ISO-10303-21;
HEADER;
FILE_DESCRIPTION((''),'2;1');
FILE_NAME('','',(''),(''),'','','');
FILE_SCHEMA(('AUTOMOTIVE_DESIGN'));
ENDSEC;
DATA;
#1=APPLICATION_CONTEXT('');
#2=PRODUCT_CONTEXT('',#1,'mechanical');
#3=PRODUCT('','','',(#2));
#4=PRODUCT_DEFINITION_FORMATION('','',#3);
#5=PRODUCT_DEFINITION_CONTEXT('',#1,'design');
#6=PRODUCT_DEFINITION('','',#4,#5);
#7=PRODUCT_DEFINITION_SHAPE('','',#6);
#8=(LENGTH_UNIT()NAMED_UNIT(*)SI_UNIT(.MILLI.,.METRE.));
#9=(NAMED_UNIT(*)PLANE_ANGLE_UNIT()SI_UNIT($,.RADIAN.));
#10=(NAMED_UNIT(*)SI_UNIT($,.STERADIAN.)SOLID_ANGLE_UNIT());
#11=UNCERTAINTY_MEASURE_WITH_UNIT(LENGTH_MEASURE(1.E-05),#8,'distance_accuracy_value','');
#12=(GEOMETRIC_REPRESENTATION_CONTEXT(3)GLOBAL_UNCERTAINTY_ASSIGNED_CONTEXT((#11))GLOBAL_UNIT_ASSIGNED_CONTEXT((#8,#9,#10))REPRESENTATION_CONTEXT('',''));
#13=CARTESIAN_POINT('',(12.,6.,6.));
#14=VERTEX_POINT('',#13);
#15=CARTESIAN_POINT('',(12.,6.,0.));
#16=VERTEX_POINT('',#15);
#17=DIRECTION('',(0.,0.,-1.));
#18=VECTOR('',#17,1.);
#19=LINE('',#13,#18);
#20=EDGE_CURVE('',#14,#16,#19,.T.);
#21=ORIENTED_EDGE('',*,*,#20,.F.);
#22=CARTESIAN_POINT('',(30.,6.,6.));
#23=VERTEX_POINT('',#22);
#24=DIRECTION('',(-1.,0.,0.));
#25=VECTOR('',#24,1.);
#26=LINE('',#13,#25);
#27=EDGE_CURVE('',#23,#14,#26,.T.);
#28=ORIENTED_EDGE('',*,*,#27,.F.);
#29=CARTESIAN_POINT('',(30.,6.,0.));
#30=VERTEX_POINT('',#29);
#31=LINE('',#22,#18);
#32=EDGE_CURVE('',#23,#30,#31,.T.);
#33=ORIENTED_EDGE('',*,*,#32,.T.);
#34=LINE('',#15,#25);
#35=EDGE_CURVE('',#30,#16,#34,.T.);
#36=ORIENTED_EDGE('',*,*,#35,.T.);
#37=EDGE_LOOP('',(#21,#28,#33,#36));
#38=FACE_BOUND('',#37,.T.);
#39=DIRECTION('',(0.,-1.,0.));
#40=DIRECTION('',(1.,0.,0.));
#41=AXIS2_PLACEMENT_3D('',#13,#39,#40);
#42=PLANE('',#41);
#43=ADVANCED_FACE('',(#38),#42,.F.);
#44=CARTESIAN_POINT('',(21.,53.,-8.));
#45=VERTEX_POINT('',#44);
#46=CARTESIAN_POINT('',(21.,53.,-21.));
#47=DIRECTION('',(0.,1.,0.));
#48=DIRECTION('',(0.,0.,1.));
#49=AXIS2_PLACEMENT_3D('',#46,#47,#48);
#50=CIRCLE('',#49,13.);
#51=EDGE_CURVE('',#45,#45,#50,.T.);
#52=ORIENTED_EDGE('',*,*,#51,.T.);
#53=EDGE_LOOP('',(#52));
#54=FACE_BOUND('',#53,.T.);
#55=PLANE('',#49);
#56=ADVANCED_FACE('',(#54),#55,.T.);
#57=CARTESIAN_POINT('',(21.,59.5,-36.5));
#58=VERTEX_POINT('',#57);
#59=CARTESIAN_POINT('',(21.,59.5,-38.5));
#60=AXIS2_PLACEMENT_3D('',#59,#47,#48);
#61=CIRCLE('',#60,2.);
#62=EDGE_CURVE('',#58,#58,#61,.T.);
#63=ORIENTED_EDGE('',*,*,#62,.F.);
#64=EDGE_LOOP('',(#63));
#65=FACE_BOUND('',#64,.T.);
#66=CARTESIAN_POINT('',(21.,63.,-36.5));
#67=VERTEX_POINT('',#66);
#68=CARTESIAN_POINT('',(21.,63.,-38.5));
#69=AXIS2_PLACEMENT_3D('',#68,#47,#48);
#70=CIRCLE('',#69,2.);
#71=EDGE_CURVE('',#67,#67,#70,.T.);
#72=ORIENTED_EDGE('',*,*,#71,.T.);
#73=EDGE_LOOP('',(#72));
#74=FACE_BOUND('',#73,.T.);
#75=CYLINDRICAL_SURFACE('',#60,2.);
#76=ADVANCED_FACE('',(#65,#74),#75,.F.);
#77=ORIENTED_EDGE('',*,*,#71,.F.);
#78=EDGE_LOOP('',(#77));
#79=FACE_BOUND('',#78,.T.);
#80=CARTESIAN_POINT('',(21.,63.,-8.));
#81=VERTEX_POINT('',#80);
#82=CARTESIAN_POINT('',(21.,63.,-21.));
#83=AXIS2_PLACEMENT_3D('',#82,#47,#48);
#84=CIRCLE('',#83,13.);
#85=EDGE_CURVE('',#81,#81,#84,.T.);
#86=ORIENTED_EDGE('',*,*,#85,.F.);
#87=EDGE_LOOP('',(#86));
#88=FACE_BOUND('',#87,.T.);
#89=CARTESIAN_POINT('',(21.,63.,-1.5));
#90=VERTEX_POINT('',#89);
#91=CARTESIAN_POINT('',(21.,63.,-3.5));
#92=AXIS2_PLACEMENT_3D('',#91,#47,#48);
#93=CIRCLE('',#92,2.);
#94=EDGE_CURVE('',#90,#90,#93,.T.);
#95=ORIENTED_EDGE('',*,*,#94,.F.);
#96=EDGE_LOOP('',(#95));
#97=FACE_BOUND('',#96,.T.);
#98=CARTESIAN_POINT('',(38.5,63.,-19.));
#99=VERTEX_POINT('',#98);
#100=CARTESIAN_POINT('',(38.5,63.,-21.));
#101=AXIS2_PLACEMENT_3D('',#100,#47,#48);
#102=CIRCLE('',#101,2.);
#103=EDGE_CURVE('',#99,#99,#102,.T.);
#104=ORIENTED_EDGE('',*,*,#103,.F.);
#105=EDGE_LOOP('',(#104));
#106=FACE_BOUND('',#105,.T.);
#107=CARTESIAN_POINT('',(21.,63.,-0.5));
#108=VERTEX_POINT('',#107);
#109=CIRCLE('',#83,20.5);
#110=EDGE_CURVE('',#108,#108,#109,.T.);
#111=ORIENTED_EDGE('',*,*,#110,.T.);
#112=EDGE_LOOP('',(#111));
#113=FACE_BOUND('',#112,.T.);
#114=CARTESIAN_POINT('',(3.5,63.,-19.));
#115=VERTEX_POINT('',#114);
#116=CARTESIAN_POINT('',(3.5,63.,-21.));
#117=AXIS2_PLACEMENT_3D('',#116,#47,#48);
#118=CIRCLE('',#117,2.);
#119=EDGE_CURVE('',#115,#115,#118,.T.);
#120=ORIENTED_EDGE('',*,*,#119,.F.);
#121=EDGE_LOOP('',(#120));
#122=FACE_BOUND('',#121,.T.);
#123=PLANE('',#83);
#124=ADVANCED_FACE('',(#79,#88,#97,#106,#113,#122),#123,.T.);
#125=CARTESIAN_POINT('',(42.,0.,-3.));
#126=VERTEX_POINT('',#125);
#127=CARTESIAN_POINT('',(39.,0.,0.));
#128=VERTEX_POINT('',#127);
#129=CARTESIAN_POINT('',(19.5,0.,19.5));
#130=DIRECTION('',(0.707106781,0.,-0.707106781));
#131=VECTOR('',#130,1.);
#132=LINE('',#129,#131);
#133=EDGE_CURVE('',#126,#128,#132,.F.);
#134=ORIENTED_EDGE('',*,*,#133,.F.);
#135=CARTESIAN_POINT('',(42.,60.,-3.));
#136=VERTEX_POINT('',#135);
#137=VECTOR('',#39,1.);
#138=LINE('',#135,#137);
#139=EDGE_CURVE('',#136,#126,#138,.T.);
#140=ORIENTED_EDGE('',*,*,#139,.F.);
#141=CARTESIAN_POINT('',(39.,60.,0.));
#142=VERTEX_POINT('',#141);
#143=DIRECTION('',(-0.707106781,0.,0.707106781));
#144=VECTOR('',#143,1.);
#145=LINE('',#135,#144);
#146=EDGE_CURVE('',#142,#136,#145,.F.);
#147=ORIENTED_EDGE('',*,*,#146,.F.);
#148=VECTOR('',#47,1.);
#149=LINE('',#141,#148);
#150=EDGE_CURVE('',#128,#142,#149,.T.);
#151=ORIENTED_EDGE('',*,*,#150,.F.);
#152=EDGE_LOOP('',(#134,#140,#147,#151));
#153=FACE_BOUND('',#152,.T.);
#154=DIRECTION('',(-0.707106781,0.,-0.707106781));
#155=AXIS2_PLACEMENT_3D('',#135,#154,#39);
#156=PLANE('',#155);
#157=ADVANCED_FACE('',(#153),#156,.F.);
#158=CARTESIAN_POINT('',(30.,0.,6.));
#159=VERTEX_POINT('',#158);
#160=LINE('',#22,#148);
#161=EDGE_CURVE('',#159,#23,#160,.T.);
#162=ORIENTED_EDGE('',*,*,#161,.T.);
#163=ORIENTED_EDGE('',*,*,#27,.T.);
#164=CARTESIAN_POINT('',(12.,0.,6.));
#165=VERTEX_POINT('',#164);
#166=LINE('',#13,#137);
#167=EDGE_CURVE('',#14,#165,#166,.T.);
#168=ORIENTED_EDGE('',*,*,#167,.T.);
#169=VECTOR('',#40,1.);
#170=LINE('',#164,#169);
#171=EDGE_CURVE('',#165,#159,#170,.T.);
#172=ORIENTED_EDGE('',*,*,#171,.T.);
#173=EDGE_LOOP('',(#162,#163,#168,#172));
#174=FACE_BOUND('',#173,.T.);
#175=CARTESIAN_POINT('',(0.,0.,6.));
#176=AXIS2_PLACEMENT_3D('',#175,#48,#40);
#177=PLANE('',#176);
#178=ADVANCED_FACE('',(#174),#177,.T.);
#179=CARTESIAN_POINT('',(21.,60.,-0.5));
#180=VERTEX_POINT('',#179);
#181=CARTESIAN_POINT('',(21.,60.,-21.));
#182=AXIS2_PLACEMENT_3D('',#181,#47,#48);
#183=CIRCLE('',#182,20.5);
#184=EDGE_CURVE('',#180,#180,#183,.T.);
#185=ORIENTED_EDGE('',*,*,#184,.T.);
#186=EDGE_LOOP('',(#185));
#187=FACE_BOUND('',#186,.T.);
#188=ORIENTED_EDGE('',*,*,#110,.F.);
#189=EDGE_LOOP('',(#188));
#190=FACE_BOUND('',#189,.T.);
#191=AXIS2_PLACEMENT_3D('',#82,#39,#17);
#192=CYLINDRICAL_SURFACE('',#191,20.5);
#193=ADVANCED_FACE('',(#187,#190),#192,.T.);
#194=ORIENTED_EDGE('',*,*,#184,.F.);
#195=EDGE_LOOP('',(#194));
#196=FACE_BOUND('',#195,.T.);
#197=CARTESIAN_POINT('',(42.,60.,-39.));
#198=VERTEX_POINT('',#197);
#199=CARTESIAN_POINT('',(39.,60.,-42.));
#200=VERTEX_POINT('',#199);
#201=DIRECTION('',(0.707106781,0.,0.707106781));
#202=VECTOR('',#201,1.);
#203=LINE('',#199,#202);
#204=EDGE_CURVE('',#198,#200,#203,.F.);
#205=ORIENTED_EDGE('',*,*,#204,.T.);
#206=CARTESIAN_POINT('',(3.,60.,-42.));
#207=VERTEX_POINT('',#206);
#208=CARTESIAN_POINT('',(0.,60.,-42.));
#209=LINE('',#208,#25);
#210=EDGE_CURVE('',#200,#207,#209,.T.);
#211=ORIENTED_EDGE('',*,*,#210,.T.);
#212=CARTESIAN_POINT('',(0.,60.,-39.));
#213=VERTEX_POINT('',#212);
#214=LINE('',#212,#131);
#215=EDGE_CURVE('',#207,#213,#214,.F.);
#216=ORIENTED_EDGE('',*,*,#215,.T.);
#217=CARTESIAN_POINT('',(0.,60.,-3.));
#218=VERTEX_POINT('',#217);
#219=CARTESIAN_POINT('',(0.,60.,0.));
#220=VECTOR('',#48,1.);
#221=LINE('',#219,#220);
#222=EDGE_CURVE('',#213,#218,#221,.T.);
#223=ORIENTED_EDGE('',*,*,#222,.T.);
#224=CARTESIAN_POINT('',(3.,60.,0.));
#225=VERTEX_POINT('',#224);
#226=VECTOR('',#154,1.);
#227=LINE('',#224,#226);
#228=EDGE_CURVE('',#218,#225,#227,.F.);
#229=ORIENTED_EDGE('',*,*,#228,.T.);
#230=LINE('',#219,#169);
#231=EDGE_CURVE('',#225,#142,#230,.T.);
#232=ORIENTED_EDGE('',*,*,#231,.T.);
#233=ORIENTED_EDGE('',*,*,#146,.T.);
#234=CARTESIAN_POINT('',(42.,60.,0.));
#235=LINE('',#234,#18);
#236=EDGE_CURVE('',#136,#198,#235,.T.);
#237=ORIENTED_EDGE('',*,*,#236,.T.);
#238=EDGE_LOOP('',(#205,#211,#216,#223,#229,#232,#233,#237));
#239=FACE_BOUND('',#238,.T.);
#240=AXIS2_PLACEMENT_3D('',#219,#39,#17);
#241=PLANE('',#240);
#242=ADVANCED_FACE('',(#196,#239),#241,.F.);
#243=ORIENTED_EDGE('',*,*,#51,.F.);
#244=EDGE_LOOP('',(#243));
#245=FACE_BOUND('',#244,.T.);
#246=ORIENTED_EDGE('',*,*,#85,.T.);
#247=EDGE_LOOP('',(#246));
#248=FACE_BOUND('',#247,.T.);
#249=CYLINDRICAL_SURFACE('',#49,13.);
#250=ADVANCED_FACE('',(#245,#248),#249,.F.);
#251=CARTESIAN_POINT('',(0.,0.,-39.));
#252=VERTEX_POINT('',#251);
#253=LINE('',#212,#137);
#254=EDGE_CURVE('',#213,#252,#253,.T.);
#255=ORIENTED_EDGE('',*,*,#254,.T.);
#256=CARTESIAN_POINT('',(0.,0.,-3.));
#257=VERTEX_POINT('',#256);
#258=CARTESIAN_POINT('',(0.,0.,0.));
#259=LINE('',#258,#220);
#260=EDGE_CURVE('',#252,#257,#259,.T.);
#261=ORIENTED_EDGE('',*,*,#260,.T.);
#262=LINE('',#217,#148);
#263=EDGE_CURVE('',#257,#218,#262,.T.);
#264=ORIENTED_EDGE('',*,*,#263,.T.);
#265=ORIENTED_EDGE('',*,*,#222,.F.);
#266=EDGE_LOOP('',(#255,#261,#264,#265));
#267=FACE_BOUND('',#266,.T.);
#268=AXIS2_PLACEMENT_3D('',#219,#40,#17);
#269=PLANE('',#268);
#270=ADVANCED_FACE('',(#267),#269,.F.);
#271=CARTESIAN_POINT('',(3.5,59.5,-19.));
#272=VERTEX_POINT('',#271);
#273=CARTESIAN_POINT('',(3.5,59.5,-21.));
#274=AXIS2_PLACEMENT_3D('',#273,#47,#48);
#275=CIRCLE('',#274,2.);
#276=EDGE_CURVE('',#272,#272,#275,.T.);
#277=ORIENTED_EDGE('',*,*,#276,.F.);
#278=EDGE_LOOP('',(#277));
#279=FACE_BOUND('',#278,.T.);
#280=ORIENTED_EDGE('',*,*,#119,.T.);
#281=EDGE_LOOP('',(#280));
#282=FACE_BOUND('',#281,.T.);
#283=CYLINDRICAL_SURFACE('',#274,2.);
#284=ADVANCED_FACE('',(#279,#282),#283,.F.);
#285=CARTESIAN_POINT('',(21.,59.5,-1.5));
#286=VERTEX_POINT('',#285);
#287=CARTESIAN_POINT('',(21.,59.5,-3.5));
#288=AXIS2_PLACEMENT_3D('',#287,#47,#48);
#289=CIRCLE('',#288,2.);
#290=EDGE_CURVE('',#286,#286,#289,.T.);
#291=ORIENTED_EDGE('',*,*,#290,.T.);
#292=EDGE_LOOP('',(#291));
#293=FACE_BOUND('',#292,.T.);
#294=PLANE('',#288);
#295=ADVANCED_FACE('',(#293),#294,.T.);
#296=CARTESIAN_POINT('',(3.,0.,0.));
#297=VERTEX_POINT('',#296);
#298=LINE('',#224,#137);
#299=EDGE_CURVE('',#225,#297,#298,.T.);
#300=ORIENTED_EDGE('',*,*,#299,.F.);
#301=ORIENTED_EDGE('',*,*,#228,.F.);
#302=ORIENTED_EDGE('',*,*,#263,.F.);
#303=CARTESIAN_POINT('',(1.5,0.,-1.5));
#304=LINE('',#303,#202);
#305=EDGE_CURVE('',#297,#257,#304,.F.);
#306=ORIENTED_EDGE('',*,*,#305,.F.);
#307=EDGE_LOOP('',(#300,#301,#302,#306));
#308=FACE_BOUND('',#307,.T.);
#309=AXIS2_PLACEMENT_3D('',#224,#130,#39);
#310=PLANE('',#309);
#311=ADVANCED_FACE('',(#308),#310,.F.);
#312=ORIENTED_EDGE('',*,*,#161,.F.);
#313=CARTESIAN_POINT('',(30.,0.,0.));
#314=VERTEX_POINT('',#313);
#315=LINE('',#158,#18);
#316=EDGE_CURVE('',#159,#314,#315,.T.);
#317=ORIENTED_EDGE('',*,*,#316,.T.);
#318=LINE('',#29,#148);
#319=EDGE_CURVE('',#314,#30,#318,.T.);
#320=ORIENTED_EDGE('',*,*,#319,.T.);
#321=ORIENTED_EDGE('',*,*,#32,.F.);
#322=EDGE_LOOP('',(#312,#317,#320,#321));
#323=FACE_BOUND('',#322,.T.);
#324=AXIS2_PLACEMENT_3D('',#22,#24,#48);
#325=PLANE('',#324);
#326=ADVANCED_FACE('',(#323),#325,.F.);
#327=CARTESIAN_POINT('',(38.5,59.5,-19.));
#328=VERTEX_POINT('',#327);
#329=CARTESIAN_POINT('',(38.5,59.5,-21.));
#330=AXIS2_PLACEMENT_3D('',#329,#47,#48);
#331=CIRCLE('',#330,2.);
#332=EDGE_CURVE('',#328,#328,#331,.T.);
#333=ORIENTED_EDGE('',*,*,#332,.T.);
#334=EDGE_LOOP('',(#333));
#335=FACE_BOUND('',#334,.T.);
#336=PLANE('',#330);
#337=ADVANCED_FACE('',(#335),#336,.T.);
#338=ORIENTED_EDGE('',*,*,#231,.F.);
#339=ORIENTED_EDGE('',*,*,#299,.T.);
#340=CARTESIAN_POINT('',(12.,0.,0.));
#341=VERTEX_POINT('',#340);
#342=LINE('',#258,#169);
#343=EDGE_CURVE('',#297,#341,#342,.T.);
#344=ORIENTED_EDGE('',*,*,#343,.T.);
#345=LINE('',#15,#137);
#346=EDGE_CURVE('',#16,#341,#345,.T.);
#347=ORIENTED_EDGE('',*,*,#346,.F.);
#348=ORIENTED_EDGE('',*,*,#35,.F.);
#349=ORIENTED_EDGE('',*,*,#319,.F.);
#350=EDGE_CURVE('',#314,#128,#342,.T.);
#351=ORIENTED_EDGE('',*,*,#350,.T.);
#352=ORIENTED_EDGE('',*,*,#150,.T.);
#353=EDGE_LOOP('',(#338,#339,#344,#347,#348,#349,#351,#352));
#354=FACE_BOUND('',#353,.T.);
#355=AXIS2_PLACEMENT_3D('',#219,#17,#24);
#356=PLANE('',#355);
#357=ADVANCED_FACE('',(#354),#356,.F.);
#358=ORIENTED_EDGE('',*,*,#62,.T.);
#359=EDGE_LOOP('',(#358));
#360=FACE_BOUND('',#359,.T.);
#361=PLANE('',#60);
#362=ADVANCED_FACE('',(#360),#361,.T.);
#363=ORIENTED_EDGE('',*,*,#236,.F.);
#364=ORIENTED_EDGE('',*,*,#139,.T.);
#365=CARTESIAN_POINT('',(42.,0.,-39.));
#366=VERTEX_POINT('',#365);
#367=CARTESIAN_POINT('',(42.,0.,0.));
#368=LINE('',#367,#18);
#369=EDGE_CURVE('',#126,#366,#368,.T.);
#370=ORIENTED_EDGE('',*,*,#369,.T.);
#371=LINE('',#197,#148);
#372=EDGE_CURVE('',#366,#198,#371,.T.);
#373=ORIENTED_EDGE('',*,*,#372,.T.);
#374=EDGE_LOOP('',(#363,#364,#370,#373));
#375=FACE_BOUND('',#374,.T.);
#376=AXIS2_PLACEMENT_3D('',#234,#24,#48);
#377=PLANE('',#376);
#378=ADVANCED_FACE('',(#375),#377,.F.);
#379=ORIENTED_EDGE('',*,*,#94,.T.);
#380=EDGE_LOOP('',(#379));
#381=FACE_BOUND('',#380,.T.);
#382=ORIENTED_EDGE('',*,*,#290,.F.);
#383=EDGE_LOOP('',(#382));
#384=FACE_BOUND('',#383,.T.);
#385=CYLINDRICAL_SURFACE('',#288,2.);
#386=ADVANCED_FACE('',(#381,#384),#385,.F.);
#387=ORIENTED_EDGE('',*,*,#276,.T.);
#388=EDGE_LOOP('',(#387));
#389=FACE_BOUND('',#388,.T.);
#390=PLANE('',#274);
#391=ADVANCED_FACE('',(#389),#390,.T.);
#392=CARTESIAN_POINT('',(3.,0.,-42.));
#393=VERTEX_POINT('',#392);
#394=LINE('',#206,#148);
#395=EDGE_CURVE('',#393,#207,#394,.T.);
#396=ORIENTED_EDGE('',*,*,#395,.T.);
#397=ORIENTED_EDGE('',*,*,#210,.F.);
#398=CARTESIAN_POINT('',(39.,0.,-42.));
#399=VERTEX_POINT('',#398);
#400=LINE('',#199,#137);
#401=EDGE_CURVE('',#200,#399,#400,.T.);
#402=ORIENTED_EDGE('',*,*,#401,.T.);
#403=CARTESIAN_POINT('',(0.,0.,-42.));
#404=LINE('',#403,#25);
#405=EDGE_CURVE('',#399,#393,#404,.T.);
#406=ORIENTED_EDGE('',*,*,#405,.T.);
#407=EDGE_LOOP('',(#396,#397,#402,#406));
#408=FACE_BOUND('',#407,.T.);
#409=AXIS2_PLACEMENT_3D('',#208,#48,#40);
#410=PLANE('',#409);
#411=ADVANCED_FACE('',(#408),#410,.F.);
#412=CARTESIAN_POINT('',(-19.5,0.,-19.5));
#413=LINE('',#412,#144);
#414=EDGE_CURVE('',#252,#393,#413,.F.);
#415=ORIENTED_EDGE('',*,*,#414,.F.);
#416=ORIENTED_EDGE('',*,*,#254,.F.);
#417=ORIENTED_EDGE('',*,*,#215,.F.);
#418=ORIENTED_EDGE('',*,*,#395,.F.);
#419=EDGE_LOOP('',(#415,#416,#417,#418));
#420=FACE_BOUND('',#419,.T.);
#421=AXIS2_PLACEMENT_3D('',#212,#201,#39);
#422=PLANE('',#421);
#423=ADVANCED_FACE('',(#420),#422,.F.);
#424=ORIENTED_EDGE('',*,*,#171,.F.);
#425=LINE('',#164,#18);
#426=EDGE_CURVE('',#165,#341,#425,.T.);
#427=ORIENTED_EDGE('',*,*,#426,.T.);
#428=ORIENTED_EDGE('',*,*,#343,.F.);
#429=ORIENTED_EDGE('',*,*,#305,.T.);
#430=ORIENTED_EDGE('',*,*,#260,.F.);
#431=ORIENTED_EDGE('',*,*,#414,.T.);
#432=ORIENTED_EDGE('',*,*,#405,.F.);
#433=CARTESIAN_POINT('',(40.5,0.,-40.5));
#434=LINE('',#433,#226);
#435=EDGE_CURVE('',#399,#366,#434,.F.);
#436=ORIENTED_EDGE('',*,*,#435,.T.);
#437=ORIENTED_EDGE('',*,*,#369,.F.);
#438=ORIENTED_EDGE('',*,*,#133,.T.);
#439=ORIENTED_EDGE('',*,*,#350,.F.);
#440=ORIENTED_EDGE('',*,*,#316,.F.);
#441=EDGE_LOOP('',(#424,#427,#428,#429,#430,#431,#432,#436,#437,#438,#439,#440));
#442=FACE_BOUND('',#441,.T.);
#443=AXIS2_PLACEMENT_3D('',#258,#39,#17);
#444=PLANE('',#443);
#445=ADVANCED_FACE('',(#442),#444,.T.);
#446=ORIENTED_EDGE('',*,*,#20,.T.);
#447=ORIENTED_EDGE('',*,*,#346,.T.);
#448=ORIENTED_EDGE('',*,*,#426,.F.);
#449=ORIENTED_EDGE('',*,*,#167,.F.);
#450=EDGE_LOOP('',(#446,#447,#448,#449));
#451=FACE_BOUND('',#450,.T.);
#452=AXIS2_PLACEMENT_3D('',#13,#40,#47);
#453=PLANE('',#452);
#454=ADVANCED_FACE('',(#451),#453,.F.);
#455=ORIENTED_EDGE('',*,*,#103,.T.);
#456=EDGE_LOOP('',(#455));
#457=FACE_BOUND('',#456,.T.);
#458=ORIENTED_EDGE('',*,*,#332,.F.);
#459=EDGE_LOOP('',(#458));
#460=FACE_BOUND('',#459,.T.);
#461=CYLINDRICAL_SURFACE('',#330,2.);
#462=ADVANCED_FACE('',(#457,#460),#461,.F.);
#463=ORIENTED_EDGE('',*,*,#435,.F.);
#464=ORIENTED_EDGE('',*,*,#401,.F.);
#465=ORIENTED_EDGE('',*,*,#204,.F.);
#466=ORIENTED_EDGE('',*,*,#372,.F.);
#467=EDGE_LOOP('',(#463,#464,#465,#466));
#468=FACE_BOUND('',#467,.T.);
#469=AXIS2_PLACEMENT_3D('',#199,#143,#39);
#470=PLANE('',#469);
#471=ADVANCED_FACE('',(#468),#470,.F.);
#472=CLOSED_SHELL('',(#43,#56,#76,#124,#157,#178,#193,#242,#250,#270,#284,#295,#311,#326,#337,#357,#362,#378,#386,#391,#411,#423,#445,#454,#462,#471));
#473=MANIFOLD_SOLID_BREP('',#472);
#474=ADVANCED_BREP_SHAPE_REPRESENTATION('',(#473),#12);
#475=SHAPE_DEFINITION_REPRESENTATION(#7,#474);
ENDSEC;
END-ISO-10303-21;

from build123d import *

# Parameters (mm, degrees)
ESQUISSE1_W             = 42
ESQUISSE1_H             = 42
BOSS_EXTRU_1_DEPTH      = 60
ESQUISSE2_R             = 20.5
BOSS_EXTRU_2_DEPTH      = 3
ESQUISSE3_R             = 13
ENL_V_MAT_EXTRU_1_DEPTH = 10
ESQUISSE4_R             = 2
ENL_V_MAT_EXTRU_2_DEPTH = 3.5
CHANFREIN1_SIZE         = 3
ESQUISSE5_W             = 18
ESQUISSE5_H             = 6
BOSS_EXTRU_3_DEPTH      = 6


with BuildPart() as part:
    # Esquisse1 → Boss.-Extru.1 (new body)
    with BuildSketch(Plane(origin=(0, 0, 0), x_dir=(1, 0, 0), z_dir=(0, 1, 0))):
        with Locations((21, 21)):
            Rectangle(ESQUISSE1_W, ESQUISSE1_H)
    extrude(amount=BOSS_EXTRU_1_DEPTH)

    # Esquisse2 → Boss.-Extru.2 (add)
    with BuildSketch(Plane(origin=(0, 60, 0), x_dir=(1, 0, 0), z_dir=(0, 1, 0))):
        with Locations(Location((21, 21, 0), (0, 0, 270))):
            Circle(ESQUISSE2_R)
    extrude(amount=BOSS_EXTRU_2_DEPTH)

    # Esquisse3 → Enlèv. mat.-Extru.1 (cut)
    with BuildSketch(Plane(origin=(0, 63, 0), x_dir=(1, 0, 0), z_dir=(0, 1, 0))):
        with Locations(Location((21, 21, 0), (0, 0, 270))):
            Circle(ESQUISSE3_R)
    extrude(amount=-ENL_V_MAT_EXTRU_1_DEPTH, mode=Mode.SUBTRACT)

    # Esquisse4 → Enlèv. mat.-Extru.2 (cut)
    with BuildSketch(Plane(origin=(0, 63, 0), x_dir=(1, 0, 0), z_dir=(0, 1, 0))):
        with Locations(Location((3.5, 21, 0), (0, 0, 270))):
            Circle(ESQUISSE4_R)
        with Locations(Location((21, 38.5, 0), (0, 0, 270))):
            Circle(ESQUISSE4_R)
        with Locations(Location((38.5, 21, 0), (0, 0, 270))):
            Circle(ESQUISSE4_R)
        with Locations(Location((21, 3.5, 0), (0, 0, 270))):
            Circle(ESQUISSE4_R)
    extrude(amount=-ENL_V_MAT_EXTRU_2_DEPTH, mode=Mode.SUBTRACT)

    # Chanfrein1
    chanfrein1_edges = [part.edges().sort_by_distance(p)[0] for p in [
        (0, 30, -42),
        (42, 30, -42),
        (42, 30, 0),
        (0, 30, 0),
    ]]
    chamfer(chanfrein1_edges, length=CHANFREIN1_SIZE)

    # Esquisse5 → Boss.-Extru.3 (add)
    with BuildSketch(Plane.XY):
        with Locations((21, 3)):
            Rectangle(ESQUISSE5_W, ESQUISSE5_H)
    extrude(amount=BOSS_EXTRU_3_DEPTH)


solid = part.part
